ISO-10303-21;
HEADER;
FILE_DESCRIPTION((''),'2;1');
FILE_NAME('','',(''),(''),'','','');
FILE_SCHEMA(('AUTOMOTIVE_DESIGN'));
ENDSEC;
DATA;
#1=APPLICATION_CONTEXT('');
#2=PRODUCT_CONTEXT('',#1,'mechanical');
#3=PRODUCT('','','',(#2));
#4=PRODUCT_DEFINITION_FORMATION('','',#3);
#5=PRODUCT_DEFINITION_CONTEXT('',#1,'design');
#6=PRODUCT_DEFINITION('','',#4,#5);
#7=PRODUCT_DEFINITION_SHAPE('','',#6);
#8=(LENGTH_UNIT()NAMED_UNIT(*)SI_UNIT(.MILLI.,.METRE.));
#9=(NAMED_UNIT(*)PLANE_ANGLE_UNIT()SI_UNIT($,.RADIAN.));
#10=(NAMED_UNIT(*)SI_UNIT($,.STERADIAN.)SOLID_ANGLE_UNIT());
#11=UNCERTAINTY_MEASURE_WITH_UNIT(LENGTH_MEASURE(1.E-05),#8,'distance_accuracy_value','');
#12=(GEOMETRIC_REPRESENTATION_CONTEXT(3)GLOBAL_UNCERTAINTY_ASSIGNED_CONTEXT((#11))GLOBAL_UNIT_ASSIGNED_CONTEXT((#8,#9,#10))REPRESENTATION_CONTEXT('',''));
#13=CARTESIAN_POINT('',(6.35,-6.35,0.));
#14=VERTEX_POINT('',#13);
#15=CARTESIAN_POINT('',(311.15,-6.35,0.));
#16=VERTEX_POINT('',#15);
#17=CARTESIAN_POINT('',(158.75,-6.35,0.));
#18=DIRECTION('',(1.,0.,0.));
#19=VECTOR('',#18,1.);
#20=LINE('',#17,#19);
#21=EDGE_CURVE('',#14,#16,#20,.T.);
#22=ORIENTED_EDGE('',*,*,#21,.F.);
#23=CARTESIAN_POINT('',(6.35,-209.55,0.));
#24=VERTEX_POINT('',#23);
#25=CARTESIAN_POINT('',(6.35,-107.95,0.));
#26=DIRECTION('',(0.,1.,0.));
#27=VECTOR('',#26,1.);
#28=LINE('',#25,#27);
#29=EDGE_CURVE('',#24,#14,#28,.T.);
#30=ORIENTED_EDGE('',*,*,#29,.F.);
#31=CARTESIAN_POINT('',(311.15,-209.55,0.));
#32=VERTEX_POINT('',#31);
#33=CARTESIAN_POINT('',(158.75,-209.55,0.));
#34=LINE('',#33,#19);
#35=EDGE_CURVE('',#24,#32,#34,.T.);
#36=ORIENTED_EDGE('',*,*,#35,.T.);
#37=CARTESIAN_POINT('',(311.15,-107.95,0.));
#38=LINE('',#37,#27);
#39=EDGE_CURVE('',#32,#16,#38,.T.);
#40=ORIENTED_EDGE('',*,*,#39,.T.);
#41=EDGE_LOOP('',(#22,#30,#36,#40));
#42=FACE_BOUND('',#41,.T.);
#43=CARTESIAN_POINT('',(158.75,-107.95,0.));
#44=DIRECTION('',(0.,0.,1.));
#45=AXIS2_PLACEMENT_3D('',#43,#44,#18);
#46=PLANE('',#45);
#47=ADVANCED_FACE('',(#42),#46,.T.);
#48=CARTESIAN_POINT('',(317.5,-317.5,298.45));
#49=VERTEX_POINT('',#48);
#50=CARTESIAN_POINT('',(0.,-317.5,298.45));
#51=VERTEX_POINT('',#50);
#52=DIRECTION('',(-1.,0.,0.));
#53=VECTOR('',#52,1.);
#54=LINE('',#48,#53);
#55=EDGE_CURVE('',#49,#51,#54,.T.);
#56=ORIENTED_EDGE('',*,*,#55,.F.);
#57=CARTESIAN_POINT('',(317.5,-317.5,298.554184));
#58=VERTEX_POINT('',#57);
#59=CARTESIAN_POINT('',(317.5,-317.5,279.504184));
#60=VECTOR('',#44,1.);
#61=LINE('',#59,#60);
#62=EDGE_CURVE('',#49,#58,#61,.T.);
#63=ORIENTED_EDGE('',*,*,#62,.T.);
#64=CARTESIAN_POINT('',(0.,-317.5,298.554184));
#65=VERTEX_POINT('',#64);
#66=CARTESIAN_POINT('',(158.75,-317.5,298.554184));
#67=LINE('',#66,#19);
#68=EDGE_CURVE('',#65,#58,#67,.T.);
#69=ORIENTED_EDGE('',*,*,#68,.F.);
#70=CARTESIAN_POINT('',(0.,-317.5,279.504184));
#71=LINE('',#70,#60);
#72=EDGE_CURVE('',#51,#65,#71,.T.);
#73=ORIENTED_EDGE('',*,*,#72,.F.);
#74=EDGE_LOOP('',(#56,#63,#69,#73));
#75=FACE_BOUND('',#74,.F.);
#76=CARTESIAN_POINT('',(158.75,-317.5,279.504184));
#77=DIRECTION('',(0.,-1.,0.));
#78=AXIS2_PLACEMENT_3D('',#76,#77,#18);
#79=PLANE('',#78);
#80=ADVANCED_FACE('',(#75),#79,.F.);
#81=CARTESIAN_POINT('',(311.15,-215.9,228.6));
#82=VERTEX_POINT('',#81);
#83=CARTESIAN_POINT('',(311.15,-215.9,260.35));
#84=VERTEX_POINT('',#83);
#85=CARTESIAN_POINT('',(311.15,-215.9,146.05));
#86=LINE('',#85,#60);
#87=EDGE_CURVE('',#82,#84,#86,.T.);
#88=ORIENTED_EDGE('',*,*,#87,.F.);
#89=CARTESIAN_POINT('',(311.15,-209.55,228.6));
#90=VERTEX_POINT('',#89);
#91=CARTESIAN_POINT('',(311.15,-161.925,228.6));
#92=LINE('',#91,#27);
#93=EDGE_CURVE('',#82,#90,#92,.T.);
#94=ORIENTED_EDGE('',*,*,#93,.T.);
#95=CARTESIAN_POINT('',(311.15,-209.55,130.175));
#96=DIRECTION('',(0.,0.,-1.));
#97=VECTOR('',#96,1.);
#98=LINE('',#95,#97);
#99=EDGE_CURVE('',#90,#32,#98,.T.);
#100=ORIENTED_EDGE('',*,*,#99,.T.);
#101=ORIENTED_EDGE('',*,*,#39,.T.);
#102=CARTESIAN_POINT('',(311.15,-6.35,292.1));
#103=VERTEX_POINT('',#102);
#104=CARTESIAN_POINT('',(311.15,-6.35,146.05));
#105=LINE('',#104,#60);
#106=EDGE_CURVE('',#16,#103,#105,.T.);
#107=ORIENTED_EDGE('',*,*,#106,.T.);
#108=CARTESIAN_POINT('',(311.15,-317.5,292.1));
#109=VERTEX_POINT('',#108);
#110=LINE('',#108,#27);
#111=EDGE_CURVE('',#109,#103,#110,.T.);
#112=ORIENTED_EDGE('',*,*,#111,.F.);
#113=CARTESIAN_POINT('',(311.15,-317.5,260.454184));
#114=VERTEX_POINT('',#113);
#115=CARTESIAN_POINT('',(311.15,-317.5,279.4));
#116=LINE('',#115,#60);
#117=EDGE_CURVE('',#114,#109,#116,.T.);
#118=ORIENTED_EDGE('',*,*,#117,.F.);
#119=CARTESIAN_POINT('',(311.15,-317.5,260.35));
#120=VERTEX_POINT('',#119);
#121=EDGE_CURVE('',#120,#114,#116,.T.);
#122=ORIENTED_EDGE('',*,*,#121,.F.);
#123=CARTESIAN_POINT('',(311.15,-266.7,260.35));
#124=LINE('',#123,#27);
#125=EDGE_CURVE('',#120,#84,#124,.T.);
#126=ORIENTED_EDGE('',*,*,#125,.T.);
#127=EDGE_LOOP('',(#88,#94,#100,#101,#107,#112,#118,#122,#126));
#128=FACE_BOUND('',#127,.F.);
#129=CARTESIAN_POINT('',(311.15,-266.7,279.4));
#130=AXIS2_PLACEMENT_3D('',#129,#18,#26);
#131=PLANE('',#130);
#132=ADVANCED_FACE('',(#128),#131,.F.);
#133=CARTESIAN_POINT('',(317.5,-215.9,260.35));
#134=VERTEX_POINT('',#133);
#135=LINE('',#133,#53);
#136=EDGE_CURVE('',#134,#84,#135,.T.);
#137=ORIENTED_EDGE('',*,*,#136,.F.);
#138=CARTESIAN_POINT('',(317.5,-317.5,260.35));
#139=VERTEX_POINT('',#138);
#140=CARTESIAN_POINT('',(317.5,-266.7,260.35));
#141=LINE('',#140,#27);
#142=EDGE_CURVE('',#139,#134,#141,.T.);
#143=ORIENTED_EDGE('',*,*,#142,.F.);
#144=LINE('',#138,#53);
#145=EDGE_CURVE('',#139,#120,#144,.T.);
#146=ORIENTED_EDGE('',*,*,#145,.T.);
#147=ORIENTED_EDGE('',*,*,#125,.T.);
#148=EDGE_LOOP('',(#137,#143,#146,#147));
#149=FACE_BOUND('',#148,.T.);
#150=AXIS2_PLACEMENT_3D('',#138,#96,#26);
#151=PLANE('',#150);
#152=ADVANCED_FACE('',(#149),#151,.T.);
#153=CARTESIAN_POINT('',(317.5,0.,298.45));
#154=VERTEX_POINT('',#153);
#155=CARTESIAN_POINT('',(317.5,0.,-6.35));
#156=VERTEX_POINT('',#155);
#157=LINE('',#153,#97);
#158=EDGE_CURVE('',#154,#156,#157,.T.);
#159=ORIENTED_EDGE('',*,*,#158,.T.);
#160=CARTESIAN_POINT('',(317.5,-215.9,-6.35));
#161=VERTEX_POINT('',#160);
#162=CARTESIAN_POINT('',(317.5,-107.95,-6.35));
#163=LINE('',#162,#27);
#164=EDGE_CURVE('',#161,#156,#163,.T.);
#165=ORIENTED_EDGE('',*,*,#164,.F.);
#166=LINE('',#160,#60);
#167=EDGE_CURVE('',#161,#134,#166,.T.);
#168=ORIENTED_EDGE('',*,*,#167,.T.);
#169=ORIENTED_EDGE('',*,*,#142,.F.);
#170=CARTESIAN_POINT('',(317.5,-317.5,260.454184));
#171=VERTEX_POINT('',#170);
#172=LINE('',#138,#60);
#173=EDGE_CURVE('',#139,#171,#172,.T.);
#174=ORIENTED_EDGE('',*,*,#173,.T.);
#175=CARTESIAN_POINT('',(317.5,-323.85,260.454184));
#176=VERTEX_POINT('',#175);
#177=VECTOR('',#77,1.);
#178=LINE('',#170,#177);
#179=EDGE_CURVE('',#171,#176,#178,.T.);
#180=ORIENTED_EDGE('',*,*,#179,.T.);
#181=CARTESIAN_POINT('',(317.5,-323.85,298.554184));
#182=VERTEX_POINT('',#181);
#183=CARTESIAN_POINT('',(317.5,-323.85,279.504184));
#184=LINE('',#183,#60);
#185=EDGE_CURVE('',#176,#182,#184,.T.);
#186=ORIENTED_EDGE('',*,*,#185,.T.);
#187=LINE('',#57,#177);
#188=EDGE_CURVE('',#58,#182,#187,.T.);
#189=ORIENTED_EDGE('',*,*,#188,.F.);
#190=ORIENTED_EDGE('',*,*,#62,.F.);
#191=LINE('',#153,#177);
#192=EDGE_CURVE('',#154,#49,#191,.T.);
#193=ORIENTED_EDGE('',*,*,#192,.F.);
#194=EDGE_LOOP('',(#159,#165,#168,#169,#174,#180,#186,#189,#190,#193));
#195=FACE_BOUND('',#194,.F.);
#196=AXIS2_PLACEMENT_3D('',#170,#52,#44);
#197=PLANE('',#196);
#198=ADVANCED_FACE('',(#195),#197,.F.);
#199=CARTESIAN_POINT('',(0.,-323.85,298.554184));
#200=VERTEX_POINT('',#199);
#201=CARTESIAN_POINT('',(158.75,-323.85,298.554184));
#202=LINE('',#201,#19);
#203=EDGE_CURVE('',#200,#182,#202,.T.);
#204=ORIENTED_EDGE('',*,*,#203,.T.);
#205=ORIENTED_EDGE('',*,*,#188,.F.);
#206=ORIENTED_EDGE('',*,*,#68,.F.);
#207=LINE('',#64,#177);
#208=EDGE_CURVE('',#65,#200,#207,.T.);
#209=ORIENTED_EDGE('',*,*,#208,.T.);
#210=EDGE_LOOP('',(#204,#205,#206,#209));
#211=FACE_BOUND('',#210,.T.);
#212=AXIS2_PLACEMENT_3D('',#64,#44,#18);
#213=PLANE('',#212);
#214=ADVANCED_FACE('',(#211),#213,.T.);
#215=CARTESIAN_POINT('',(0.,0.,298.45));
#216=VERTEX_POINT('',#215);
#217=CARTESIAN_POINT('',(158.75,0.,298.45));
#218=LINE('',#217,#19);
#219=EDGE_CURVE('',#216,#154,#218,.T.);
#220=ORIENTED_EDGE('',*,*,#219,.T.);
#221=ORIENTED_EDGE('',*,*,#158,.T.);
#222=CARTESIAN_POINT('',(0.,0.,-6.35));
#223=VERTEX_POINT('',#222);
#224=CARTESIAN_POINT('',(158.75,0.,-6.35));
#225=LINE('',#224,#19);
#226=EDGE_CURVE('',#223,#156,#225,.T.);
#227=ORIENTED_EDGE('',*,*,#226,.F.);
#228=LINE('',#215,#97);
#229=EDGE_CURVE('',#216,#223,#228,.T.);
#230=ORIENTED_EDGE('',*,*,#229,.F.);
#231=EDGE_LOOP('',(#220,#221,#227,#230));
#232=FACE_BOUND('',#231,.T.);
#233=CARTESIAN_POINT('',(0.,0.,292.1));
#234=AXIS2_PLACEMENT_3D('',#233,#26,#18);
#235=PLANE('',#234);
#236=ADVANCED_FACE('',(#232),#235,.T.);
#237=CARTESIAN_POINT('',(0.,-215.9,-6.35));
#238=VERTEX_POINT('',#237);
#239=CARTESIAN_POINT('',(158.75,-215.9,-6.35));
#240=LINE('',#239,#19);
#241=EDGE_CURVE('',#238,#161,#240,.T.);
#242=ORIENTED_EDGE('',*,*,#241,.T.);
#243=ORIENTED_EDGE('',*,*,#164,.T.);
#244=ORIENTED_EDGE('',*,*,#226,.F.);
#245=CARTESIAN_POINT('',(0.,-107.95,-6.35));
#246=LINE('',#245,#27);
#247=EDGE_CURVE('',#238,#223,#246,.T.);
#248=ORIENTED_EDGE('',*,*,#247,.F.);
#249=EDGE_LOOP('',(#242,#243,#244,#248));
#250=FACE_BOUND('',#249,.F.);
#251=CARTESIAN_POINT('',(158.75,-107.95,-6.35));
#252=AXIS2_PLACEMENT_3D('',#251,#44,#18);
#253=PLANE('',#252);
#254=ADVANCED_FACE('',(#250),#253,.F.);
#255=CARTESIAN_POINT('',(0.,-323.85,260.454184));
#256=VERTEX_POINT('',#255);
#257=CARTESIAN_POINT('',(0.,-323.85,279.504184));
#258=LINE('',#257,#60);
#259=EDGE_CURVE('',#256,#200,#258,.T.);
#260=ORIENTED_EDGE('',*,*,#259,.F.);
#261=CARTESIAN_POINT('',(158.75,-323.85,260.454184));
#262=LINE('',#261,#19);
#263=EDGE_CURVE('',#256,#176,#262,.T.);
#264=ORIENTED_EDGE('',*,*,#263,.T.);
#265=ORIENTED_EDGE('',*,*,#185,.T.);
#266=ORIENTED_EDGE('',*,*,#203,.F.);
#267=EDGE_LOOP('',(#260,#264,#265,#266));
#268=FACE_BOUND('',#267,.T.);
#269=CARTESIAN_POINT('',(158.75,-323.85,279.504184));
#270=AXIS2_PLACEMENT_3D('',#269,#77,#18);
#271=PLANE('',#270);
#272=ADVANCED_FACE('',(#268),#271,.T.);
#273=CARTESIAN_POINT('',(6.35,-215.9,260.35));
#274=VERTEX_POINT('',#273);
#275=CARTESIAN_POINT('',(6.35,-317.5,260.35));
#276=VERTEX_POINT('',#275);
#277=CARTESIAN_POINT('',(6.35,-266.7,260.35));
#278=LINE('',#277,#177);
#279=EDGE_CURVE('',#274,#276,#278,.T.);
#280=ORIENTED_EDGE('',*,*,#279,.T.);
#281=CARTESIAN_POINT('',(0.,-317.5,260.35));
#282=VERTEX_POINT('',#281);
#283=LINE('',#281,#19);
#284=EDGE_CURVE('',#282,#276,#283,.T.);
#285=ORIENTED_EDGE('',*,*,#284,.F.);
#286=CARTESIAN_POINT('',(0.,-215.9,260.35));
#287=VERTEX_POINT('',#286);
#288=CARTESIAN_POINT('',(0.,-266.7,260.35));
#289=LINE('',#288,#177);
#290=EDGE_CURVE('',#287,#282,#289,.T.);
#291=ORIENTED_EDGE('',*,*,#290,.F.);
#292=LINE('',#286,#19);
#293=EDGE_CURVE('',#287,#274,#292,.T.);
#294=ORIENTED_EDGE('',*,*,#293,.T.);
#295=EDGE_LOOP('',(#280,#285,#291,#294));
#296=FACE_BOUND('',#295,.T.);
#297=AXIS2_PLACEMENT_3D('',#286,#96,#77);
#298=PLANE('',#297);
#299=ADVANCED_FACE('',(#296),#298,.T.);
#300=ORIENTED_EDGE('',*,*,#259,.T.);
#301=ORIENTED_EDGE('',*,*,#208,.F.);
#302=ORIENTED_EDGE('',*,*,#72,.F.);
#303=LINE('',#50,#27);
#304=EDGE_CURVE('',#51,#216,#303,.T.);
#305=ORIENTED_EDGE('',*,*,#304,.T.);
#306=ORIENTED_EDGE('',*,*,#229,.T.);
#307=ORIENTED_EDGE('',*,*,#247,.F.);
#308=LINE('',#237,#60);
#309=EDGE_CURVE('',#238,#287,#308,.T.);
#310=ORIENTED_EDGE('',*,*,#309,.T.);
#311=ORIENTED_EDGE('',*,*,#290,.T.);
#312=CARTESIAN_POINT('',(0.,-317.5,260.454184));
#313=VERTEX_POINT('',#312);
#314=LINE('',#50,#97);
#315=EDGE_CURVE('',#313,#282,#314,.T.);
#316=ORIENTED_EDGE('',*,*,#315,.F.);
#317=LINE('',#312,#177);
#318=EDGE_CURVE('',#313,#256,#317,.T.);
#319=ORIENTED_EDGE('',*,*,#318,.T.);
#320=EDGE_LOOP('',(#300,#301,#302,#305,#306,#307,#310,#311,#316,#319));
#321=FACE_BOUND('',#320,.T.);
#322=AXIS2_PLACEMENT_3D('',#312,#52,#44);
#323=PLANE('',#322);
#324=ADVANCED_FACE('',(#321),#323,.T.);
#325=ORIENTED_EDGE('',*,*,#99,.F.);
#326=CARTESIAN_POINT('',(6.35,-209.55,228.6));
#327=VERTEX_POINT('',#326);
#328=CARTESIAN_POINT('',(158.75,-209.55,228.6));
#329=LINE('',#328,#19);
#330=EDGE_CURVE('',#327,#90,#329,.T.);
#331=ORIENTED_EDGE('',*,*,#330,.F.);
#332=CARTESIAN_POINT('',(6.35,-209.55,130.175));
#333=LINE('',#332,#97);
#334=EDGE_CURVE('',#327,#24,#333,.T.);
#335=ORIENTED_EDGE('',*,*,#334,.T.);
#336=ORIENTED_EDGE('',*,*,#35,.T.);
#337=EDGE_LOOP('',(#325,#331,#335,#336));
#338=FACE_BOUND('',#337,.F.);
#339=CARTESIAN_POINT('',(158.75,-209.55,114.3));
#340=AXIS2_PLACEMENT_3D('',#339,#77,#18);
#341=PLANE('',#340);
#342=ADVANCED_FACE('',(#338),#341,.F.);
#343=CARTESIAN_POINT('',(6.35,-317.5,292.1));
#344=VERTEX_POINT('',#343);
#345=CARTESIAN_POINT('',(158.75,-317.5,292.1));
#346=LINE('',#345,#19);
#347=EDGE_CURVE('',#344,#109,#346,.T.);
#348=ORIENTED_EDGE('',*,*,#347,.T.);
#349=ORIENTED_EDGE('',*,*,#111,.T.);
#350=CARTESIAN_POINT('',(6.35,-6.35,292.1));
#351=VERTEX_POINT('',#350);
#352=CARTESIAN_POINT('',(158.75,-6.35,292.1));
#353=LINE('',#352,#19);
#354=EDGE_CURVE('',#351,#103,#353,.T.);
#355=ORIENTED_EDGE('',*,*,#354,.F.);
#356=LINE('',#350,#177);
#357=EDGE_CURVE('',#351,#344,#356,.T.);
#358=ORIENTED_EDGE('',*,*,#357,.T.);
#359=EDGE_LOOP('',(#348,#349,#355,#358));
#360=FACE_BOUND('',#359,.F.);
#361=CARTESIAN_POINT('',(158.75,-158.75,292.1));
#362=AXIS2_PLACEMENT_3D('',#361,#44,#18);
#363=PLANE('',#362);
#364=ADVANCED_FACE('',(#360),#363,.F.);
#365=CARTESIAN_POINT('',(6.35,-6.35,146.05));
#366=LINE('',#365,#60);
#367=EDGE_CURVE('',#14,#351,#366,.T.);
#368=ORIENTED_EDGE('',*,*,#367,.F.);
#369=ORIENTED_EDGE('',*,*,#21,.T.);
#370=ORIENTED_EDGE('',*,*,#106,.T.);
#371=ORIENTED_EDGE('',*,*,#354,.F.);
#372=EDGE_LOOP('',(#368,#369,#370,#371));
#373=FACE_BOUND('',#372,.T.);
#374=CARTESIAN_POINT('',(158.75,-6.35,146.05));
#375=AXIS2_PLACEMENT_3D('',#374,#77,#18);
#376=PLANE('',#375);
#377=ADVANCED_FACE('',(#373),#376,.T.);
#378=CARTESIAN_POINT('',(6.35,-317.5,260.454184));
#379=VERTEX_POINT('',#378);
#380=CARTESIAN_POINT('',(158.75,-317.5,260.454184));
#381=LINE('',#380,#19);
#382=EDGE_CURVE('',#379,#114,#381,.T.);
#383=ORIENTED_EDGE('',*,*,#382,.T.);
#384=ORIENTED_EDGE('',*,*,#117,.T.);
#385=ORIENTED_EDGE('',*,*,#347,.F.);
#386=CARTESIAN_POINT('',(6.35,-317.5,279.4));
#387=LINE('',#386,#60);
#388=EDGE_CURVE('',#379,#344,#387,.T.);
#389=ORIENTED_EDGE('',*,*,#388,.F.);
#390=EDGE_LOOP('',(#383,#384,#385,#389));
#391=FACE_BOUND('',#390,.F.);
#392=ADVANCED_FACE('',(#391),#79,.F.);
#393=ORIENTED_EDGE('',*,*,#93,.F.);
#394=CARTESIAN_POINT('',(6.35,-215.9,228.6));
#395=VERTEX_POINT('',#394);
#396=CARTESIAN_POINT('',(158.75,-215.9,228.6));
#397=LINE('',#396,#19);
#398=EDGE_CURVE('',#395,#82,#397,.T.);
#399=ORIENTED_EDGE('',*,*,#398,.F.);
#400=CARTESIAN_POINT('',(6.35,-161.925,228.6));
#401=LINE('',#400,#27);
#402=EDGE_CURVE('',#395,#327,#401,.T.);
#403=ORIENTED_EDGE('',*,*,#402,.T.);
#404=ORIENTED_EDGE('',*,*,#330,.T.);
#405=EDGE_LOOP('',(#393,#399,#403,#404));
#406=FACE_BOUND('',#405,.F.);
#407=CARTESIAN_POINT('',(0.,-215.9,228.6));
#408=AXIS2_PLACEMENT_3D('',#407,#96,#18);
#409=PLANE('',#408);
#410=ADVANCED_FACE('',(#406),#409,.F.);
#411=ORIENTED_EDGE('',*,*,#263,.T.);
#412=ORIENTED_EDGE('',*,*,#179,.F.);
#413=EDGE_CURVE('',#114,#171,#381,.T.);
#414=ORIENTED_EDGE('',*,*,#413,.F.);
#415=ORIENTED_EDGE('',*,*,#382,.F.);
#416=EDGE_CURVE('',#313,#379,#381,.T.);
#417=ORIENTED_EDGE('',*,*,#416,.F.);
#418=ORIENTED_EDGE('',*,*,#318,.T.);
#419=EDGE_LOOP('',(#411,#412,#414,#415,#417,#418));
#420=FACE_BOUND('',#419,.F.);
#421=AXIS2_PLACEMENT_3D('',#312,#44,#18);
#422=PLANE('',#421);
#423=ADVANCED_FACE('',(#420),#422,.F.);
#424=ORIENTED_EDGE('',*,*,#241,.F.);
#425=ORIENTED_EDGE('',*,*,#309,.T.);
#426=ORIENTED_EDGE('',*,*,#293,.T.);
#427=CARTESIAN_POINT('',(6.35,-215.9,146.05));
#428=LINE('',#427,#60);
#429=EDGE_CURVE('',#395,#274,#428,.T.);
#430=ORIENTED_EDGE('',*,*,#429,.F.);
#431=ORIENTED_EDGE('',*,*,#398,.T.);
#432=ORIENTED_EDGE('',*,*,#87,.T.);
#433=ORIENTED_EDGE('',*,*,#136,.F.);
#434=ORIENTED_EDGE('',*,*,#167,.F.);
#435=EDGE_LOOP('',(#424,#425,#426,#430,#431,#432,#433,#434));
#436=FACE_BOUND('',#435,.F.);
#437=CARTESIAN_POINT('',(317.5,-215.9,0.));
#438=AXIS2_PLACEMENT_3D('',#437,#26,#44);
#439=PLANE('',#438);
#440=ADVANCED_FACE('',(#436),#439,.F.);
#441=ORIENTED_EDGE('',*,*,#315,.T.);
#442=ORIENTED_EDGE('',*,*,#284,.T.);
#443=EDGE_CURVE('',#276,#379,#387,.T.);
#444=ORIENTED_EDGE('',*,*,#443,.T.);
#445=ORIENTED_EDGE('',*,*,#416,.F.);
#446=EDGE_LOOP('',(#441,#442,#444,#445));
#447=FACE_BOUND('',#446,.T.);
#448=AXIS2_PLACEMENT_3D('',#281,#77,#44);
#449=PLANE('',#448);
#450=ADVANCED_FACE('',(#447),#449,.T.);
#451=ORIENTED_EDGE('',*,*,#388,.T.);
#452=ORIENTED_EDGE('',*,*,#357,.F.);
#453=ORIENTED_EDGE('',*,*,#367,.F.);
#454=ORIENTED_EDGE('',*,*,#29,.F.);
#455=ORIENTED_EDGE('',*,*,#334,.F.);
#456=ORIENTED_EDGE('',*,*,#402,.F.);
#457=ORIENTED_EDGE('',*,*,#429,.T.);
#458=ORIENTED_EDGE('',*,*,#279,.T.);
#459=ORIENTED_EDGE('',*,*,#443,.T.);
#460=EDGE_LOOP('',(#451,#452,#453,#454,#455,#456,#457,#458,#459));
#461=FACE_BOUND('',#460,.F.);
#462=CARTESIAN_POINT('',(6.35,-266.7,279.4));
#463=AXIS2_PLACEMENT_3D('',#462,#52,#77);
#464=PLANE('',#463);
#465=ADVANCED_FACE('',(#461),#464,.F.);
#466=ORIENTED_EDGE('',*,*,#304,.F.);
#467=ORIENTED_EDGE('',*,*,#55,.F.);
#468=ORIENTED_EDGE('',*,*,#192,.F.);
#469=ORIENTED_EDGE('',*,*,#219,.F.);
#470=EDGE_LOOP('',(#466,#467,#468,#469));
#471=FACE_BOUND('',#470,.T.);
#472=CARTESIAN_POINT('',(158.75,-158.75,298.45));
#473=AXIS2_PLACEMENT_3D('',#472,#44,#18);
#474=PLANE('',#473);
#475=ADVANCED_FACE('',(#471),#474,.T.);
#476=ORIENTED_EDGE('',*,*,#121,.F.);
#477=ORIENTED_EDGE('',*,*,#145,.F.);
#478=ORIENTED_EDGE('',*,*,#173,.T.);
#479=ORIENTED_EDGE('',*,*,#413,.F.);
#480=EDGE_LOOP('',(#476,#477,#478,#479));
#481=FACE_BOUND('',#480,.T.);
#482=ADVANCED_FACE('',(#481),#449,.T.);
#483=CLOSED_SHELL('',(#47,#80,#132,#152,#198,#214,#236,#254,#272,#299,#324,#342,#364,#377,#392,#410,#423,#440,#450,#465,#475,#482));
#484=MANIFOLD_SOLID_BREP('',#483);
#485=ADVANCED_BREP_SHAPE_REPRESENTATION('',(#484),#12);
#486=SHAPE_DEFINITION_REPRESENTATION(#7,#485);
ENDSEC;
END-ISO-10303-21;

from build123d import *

# Parameters (mm, degrees)
F0_W      = 317.5
F0_H      = 215.9
F1_DEPTH  = 6.35
F2_W      = 317.5
F2_H      = 292.1
F3_DEPTH  = 6.35
F4_W      = 215.9
F4_H      = 292.1
F5_DEPTH  = 6.35
F7_W      = 215.9
F7_H      = 292.1
F8_DEPTH  = 6.35
F10_W     = 317.5
F10_H     = 317.5
F11_DEPTH = 6.35
F14_W     = 317.5
F14_H     = 228.6
F15_DEPTH = 6.35
F16_W     = 101.6
F16_H     = 38.1
F17_DEPTH = 6.35
F18_W     = 101.6
F18_H     = 38.1
F19_DEPTH = 6.35
F20_W     = 317.5
F20_H     = 38.1
F21_DEPTH = 6.35


with BuildPart() as f1:
    # F0 (on Top) → F1 (new body)
    with BuildSketch(Plane.XY):
        with Locations((158.75, -107.95)):
            Rectangle(F0_W, F0_H)
    extrude(amount=-F1_DEPTH)

    # F2 (on Front) → F3 (join)
    with BuildSketch(Plane.XZ):
        with Locations((158.75, 146.05)):
            Rectangle(F2_W, F2_H)
    extrude(amount=F3_DEPTH)

    # F4 (on Right) → F5 (join)
    with BuildSketch(Plane.YZ):
        with Locations((-107.95, 146.05)):
            Rectangle(F4_W, F4_H)
    extrude(amount=F5_DEPTH)

    # F7 (on offset) → F8 (join)
    with BuildSketch(Plane.YZ.offset(317.5)):
        with Locations((-107.95, 146.05)):
            Rectangle(F7_W, F7_H)
    extrude(amount=-F8_DEPTH)

    # F10 (on offset) → F11 (join)
    with BuildSketch(Plane.XY.offset(292.1)):
        with Locations((158.75, -158.75)):
            Rectangle(F10_W, F10_H)
    extrude(amount=F11_DEPTH)

    # F14 (on offset) → F15 (join)
    with BuildSketch(Plane.XZ.offset(215.9)):
        with Locations((158.75, 114.3)):
            Rectangle(F14_W, F14_H)
    extrude(amount=-F15_DEPTH)

    # F16 (on face) → F17 (join)
    with BuildSketch(Plane.YZ.offset(317.5)):
        with Locations((-266.7, 279.4)):
            Rectangle(F16_W, F16_H)
    extrude(amount=-F17_DEPTH)

    # F18 (on face) → F19 (join)
    with BuildSketch(Plane(origin=(0, 0, 0), x_dir=(0, -1, 0), z_dir=(-1, 0, 0))):
        with Locations((266.7, 279.4)):
            Rectangle(F18_W, F18_H)
    extrude(amount=-F19_DEPTH)

    # F20 (on offset) → F21 (join)
    with BuildSketch(Plane.XZ.offset(317.5)):
        with Locations((158.75, 279.5041836309)):
            Rectangle(F20_W, F20_H)
    extrude(amount=F21_DEPTH)


solid = f1.part
